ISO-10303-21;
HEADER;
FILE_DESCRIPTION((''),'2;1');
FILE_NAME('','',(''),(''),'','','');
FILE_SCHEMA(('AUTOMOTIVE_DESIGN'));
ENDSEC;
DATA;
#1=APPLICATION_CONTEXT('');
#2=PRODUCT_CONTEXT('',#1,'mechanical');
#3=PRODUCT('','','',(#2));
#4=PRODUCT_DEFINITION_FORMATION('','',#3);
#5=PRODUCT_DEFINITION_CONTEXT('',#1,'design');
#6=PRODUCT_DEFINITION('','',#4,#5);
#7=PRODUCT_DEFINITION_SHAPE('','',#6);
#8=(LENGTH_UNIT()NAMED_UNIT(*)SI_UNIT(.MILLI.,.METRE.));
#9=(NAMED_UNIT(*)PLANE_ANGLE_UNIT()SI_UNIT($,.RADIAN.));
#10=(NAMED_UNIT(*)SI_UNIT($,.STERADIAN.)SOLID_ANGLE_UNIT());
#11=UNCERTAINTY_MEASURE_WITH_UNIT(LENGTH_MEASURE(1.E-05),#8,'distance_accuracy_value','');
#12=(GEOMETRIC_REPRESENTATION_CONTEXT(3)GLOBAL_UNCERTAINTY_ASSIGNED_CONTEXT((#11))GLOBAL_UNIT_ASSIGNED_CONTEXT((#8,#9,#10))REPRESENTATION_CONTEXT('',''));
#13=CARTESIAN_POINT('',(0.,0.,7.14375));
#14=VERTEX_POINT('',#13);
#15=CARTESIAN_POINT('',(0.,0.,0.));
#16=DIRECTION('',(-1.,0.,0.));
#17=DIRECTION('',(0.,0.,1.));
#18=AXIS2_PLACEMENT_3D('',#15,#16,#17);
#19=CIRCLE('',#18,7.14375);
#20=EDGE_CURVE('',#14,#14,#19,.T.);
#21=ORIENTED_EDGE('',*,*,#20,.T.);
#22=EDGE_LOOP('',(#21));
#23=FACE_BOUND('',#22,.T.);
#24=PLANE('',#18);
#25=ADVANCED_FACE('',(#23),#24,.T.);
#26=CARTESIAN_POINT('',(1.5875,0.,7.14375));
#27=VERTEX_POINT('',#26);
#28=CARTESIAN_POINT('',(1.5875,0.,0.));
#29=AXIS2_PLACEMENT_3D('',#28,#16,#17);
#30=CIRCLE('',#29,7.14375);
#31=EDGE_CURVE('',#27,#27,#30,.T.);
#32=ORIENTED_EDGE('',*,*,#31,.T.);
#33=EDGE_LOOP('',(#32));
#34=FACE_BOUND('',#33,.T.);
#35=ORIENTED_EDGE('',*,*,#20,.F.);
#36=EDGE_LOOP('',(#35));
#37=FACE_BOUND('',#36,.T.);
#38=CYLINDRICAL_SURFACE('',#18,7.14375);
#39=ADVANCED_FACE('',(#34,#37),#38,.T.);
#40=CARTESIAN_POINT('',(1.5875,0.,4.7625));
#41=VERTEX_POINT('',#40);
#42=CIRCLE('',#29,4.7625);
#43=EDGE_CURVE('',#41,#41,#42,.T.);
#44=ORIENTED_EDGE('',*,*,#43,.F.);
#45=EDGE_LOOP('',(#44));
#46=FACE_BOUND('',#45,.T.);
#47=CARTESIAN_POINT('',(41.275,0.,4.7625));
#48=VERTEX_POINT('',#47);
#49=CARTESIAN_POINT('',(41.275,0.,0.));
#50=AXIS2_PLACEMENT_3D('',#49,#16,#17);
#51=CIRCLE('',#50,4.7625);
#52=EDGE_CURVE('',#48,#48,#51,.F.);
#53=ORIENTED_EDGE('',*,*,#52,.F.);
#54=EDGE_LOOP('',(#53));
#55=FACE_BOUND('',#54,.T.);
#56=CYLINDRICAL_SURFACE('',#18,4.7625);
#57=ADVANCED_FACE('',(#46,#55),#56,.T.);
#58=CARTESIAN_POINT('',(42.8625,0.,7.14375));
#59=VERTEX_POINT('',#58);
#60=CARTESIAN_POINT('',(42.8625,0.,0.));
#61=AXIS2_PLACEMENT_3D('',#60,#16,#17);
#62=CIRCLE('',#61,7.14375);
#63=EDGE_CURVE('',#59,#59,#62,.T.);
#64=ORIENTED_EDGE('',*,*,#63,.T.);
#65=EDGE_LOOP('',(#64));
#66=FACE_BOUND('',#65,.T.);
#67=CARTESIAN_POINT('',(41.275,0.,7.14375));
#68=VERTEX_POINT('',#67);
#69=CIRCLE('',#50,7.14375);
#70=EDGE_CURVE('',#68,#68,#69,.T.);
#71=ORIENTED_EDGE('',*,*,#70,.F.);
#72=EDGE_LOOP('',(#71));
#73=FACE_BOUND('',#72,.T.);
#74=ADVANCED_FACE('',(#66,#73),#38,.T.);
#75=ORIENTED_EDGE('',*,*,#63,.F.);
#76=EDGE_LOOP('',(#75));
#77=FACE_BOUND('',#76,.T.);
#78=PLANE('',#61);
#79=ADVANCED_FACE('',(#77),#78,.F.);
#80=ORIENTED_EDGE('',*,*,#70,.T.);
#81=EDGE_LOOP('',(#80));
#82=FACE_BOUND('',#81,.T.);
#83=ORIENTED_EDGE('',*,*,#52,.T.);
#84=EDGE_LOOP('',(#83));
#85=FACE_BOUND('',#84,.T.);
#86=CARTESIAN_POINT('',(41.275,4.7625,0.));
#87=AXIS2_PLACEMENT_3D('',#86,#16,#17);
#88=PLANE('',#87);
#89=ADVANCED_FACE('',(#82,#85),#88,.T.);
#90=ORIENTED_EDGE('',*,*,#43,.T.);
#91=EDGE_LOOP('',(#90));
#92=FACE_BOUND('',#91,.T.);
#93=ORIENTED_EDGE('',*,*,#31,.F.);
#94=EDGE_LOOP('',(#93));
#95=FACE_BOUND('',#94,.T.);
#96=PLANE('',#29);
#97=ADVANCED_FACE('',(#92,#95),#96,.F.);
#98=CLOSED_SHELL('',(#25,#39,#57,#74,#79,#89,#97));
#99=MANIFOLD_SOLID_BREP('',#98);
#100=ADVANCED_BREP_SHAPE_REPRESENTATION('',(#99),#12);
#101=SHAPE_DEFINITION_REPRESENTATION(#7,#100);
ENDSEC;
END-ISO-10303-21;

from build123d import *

# Parameters (mm, degrees)
SKETCH1_W   = 42.8625
SKETCH1_H   = 4.7625
SKETCH1_W_2 = 1.5875
SKETCH1_H_2 = 2.38125


with BuildPart() as part:
    # Sketch1 → Revolve1 (revolve)
    with BuildSketch(Plane.XY, mode=Mode.PRIVATE) as revolve1_sk:
        with Locations((21.43125, 2.38125)):
            Rectangle(SKETCH1_W, SKETCH1_H)
        with Locations((0.79375, 5.953125)):
            Rectangle(SKETCH1_W_2, SKETCH1_H_2)
        with Locations((42.06875, 5.953125)):
            Rectangle(SKETCH1_W_2, SKETCH1_H_2)
    revolve(revolve1_sk.sketch.rotate(Axis((0, 0, 0), (1, 0, 0)), 90), axis=Axis((0, 0, 0), (1, 0, 0)))


solid = part.part
